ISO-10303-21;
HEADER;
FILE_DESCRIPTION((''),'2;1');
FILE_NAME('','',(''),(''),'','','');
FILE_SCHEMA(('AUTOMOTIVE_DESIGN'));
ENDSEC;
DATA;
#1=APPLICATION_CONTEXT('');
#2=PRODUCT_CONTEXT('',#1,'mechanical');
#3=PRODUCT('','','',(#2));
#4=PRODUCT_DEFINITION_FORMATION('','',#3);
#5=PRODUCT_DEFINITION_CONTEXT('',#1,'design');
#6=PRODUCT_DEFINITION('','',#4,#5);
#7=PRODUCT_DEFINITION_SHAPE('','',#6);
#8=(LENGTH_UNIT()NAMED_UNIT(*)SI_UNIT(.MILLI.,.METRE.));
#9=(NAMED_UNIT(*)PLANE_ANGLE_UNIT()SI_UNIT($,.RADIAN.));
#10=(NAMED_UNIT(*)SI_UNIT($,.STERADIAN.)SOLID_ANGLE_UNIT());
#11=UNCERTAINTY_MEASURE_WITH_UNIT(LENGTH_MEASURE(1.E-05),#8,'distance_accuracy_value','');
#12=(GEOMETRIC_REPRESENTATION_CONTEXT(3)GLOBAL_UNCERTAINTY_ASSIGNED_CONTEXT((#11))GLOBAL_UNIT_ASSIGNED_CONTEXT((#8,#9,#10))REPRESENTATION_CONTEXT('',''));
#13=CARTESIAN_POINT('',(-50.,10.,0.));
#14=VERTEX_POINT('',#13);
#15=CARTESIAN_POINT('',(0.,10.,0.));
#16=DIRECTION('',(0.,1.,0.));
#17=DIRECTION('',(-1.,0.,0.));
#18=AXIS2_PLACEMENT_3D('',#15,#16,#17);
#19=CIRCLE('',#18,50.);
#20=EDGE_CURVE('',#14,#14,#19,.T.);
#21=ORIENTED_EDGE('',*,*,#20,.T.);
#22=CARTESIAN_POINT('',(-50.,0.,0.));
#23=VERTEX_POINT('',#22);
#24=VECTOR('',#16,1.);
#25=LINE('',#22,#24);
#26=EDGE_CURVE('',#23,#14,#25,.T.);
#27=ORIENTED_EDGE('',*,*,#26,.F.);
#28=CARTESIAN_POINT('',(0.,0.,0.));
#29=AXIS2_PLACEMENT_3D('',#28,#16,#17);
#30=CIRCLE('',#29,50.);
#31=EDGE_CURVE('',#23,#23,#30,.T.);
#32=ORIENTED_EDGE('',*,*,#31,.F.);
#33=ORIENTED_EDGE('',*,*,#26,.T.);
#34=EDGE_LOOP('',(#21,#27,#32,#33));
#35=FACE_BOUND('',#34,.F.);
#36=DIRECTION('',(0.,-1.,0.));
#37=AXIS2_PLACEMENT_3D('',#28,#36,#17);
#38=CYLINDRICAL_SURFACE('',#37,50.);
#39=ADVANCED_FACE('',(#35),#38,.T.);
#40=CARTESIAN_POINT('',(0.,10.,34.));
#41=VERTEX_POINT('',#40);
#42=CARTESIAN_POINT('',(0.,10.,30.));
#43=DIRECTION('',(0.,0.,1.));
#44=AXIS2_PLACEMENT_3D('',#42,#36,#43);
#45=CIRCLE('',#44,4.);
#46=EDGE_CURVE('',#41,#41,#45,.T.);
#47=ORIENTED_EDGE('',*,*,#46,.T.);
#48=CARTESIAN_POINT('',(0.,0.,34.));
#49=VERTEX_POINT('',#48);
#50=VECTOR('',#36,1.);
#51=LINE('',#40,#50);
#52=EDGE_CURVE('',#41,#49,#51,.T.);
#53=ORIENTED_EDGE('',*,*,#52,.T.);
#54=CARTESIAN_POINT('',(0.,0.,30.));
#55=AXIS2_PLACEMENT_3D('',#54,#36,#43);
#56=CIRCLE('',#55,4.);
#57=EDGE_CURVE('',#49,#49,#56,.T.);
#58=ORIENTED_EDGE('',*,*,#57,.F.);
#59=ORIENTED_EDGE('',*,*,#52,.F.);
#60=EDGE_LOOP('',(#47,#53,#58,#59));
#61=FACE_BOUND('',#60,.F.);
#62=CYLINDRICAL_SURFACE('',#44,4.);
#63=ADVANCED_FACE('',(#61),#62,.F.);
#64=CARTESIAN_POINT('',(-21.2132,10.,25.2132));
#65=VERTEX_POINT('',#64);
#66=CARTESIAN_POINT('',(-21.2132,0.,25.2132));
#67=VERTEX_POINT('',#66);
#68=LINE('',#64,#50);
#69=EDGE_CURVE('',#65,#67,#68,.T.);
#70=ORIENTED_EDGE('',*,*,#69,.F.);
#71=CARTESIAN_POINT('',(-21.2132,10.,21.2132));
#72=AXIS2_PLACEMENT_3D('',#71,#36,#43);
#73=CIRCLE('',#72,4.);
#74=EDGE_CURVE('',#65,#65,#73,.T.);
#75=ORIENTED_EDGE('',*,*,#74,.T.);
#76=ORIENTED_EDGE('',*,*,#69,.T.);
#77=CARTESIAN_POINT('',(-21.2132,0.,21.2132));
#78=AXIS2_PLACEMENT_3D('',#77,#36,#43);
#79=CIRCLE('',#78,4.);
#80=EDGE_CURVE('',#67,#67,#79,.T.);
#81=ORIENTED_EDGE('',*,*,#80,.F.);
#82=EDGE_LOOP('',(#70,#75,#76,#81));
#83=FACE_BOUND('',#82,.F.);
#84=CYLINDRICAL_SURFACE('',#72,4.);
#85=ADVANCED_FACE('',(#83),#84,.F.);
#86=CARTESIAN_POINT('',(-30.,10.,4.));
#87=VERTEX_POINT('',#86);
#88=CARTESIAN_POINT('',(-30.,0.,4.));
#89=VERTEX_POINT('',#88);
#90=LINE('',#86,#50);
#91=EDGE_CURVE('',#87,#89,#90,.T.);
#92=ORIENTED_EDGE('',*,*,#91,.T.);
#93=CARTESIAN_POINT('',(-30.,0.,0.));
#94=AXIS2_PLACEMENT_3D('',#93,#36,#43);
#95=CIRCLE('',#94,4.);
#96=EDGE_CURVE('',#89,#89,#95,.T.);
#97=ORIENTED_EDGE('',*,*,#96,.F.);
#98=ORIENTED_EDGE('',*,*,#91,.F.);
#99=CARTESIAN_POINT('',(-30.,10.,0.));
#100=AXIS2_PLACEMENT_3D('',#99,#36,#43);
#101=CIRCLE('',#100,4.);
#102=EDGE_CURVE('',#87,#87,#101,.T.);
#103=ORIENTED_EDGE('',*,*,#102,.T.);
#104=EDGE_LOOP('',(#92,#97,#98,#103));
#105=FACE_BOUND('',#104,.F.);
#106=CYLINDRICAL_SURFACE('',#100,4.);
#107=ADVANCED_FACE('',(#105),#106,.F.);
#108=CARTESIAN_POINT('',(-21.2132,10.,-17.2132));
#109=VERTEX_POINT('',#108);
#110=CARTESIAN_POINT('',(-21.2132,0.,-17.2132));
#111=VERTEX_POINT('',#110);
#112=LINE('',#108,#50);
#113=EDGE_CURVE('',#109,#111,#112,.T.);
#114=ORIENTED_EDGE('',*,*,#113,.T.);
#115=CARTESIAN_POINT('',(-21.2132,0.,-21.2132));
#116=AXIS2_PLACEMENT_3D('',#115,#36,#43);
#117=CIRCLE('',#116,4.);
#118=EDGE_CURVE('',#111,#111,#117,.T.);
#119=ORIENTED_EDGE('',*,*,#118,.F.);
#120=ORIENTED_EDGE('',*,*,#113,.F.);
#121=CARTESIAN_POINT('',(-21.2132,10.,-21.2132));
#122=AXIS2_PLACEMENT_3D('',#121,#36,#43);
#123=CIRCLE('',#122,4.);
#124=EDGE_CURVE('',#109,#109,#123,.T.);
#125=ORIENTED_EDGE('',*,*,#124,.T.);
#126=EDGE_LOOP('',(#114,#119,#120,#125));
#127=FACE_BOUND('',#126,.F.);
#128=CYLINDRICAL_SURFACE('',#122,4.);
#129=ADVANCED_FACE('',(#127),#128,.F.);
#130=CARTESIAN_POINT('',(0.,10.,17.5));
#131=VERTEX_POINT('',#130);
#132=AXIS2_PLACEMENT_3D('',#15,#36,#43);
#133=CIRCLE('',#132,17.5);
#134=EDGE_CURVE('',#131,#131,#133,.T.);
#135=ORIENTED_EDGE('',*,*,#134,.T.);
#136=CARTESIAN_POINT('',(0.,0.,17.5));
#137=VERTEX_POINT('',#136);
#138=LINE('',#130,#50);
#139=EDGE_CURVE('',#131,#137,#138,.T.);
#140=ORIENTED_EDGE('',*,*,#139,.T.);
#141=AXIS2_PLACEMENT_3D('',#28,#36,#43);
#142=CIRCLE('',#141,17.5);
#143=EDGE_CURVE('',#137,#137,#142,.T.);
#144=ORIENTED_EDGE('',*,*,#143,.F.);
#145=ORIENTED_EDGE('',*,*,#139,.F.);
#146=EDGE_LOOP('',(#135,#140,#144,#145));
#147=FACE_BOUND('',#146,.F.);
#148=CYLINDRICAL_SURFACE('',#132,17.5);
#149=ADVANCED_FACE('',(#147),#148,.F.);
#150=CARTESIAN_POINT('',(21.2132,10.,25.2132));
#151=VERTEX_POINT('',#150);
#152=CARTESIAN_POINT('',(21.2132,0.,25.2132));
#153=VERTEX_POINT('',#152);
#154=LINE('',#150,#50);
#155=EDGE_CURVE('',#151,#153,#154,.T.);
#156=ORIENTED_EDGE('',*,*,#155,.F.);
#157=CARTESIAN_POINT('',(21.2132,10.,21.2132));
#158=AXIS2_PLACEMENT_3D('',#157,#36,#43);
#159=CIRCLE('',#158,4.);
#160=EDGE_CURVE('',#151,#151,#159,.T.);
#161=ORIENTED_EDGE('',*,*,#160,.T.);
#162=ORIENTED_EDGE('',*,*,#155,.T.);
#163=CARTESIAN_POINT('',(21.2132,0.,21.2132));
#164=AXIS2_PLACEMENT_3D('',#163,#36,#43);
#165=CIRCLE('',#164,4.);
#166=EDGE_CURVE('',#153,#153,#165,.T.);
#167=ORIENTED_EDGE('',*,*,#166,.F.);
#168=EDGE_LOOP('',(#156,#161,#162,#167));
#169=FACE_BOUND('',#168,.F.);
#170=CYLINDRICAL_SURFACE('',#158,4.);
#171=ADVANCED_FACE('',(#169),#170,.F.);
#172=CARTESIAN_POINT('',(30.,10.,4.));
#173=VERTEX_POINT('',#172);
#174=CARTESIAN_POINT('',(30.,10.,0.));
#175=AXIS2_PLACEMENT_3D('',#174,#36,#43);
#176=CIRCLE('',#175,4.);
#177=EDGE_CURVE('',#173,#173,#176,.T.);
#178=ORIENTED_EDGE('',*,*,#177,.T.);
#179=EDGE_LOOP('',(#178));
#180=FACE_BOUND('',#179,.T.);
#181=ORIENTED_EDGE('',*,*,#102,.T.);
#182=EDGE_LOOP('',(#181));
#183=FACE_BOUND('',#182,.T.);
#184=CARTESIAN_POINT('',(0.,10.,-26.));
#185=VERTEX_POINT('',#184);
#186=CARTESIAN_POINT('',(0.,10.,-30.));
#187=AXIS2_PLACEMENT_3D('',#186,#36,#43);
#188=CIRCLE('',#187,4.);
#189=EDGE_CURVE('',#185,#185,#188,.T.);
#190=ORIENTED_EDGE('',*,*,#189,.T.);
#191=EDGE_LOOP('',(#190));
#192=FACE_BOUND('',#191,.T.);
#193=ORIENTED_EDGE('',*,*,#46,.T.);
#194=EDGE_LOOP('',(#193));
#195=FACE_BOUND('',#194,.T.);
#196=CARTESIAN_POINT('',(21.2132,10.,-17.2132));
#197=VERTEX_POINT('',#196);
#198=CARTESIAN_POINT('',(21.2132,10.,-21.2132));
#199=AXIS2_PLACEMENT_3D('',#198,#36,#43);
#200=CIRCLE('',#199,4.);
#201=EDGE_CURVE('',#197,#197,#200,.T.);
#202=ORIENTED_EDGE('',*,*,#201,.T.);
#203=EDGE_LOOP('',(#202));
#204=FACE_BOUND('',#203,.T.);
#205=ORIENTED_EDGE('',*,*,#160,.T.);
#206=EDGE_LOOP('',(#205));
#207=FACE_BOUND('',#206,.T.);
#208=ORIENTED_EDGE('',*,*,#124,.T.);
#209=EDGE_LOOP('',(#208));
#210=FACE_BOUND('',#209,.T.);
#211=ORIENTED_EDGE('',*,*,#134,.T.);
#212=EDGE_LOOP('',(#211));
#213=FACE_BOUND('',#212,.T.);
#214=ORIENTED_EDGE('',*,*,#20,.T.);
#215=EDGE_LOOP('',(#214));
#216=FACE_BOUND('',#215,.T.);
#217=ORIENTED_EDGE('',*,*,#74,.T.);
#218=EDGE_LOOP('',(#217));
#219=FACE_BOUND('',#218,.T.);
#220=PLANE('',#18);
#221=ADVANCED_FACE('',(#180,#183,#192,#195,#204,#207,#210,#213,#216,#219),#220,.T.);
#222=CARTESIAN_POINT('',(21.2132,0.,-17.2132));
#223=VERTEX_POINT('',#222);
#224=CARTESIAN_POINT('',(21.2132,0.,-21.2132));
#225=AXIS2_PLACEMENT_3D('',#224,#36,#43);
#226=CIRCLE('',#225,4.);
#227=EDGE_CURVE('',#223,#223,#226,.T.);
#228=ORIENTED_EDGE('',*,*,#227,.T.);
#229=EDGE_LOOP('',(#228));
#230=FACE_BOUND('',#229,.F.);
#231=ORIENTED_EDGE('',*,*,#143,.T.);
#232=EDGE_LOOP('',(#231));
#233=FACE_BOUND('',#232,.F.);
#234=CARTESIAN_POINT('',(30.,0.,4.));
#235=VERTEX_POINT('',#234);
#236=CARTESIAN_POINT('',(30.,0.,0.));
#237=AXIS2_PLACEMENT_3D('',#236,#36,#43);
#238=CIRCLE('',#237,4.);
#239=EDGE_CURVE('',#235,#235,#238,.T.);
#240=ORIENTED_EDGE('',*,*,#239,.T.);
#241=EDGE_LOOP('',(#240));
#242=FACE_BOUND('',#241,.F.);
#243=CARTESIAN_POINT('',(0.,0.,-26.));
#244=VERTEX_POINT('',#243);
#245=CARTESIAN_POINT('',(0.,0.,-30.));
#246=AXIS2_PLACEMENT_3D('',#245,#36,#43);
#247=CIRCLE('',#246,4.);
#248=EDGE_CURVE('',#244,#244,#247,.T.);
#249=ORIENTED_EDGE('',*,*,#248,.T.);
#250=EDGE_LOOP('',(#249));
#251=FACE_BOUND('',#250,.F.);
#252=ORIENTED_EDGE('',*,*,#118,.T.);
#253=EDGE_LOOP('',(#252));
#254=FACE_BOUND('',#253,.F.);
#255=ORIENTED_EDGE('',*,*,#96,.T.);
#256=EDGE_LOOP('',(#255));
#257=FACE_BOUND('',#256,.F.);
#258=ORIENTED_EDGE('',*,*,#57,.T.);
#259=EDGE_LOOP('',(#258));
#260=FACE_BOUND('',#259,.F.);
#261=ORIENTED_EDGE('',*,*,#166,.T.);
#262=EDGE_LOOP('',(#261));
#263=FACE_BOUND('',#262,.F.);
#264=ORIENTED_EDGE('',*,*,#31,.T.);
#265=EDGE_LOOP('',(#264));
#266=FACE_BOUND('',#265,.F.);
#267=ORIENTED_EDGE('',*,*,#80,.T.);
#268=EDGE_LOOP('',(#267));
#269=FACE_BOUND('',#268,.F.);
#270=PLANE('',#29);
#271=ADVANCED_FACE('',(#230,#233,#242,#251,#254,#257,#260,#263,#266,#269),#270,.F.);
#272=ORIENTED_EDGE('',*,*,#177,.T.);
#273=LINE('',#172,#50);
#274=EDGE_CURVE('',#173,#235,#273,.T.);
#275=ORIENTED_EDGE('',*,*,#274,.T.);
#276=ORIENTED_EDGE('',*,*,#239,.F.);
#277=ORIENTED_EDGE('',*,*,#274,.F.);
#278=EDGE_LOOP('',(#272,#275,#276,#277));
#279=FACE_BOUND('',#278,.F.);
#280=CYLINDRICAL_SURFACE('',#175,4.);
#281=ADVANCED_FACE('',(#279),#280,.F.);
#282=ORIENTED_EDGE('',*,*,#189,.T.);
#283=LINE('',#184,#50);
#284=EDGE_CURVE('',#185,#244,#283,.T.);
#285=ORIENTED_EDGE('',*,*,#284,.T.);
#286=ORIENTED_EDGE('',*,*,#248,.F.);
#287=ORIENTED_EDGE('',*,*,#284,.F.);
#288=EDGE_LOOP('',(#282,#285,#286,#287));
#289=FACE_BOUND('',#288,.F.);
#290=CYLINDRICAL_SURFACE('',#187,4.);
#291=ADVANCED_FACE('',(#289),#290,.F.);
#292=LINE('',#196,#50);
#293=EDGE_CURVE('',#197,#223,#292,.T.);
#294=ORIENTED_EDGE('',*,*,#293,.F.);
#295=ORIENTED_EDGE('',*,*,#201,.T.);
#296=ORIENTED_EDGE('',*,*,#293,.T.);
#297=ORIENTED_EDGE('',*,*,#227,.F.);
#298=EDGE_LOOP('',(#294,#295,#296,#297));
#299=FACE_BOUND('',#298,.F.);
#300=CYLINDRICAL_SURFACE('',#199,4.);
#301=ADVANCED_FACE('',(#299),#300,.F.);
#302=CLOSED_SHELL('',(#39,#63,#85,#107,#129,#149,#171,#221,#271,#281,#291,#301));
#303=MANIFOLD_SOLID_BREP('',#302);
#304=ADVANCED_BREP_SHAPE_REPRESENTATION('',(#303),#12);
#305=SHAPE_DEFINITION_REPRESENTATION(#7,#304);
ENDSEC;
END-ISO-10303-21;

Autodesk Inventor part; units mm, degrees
ref_plane "YZ Plane" through (0, 0, 0) normal (1, 0, 0) x (0, 1, 0)
ref_plane "XZ Plane" through (0, 0, 0) normal (0, 1, 0) x (-1, 0, 0)
ref_plane "XY Plane" through (0, 0, 0) normal (0, 0, 1) x (1, 0, 0)
sketch "Sketch1" plane through (0, 0, 0) normal (0, 1, 0) x (-1, 0, 0)
  circle A0 centre (0, 0) radius 50
  dimension "d1" = 100
extrude "Extrusion1" add sketch "Sketch1" along normal blind 10
sketch "Sketch2" plane through (0, 10, 0) normal (0, 1, 0) x (1, 0, 0)
  circle A0 centre (0, 0) radius 16
  dimension "d4" = 32
hole "Hole1" at (0, 10, 0) direction (0, -1, 0) diameter 35 end through all
sketch "Sketch3" plane through (0, 10, 0) normal (0, 1, 0) x (1, 0, 0)
  circle A0 centre (0, 30) radius 4
  circle A1 centre (-21.2132, 21.2132) radius 4
  circle A2 centre (-30, 0) radius 4
  circle A3 centre (-21.2132, -21.2132) radius 4
  circle A4 centre (0, -30) radius 4
  circle A5 centre (21.2132, -21.2132) radius 4
  circle A6 centre (30, 0) radius 4
  circle A7 centre (21.2132, 21.2132) radius 4
  point P0 (0, 0)
  point P1 (0, 0)
  dimension "d12" = 8
  dimension "d13" = 30
  dimension "d16" = 360
hole "Hole2" at (-21.2132, 10, 21.2132) at (-30, 10, 0) at (-21.2132, 10, -21.2132) at (0, 10, -30) at (21.2132, 10, -21.2132) at (30, 10, 0) at (21.2132, 10, 21.2132) at (0, 10, 30) direction (0, -1, 0) diameter 8 end through all
sketch "Sketch4" plane through (0, 10, 0) normal (0, 1, 0) x (1, 0, 0)
  point P0 (0, 0)
properties part number "Orifice Plate" material "Aluminum 6061"
